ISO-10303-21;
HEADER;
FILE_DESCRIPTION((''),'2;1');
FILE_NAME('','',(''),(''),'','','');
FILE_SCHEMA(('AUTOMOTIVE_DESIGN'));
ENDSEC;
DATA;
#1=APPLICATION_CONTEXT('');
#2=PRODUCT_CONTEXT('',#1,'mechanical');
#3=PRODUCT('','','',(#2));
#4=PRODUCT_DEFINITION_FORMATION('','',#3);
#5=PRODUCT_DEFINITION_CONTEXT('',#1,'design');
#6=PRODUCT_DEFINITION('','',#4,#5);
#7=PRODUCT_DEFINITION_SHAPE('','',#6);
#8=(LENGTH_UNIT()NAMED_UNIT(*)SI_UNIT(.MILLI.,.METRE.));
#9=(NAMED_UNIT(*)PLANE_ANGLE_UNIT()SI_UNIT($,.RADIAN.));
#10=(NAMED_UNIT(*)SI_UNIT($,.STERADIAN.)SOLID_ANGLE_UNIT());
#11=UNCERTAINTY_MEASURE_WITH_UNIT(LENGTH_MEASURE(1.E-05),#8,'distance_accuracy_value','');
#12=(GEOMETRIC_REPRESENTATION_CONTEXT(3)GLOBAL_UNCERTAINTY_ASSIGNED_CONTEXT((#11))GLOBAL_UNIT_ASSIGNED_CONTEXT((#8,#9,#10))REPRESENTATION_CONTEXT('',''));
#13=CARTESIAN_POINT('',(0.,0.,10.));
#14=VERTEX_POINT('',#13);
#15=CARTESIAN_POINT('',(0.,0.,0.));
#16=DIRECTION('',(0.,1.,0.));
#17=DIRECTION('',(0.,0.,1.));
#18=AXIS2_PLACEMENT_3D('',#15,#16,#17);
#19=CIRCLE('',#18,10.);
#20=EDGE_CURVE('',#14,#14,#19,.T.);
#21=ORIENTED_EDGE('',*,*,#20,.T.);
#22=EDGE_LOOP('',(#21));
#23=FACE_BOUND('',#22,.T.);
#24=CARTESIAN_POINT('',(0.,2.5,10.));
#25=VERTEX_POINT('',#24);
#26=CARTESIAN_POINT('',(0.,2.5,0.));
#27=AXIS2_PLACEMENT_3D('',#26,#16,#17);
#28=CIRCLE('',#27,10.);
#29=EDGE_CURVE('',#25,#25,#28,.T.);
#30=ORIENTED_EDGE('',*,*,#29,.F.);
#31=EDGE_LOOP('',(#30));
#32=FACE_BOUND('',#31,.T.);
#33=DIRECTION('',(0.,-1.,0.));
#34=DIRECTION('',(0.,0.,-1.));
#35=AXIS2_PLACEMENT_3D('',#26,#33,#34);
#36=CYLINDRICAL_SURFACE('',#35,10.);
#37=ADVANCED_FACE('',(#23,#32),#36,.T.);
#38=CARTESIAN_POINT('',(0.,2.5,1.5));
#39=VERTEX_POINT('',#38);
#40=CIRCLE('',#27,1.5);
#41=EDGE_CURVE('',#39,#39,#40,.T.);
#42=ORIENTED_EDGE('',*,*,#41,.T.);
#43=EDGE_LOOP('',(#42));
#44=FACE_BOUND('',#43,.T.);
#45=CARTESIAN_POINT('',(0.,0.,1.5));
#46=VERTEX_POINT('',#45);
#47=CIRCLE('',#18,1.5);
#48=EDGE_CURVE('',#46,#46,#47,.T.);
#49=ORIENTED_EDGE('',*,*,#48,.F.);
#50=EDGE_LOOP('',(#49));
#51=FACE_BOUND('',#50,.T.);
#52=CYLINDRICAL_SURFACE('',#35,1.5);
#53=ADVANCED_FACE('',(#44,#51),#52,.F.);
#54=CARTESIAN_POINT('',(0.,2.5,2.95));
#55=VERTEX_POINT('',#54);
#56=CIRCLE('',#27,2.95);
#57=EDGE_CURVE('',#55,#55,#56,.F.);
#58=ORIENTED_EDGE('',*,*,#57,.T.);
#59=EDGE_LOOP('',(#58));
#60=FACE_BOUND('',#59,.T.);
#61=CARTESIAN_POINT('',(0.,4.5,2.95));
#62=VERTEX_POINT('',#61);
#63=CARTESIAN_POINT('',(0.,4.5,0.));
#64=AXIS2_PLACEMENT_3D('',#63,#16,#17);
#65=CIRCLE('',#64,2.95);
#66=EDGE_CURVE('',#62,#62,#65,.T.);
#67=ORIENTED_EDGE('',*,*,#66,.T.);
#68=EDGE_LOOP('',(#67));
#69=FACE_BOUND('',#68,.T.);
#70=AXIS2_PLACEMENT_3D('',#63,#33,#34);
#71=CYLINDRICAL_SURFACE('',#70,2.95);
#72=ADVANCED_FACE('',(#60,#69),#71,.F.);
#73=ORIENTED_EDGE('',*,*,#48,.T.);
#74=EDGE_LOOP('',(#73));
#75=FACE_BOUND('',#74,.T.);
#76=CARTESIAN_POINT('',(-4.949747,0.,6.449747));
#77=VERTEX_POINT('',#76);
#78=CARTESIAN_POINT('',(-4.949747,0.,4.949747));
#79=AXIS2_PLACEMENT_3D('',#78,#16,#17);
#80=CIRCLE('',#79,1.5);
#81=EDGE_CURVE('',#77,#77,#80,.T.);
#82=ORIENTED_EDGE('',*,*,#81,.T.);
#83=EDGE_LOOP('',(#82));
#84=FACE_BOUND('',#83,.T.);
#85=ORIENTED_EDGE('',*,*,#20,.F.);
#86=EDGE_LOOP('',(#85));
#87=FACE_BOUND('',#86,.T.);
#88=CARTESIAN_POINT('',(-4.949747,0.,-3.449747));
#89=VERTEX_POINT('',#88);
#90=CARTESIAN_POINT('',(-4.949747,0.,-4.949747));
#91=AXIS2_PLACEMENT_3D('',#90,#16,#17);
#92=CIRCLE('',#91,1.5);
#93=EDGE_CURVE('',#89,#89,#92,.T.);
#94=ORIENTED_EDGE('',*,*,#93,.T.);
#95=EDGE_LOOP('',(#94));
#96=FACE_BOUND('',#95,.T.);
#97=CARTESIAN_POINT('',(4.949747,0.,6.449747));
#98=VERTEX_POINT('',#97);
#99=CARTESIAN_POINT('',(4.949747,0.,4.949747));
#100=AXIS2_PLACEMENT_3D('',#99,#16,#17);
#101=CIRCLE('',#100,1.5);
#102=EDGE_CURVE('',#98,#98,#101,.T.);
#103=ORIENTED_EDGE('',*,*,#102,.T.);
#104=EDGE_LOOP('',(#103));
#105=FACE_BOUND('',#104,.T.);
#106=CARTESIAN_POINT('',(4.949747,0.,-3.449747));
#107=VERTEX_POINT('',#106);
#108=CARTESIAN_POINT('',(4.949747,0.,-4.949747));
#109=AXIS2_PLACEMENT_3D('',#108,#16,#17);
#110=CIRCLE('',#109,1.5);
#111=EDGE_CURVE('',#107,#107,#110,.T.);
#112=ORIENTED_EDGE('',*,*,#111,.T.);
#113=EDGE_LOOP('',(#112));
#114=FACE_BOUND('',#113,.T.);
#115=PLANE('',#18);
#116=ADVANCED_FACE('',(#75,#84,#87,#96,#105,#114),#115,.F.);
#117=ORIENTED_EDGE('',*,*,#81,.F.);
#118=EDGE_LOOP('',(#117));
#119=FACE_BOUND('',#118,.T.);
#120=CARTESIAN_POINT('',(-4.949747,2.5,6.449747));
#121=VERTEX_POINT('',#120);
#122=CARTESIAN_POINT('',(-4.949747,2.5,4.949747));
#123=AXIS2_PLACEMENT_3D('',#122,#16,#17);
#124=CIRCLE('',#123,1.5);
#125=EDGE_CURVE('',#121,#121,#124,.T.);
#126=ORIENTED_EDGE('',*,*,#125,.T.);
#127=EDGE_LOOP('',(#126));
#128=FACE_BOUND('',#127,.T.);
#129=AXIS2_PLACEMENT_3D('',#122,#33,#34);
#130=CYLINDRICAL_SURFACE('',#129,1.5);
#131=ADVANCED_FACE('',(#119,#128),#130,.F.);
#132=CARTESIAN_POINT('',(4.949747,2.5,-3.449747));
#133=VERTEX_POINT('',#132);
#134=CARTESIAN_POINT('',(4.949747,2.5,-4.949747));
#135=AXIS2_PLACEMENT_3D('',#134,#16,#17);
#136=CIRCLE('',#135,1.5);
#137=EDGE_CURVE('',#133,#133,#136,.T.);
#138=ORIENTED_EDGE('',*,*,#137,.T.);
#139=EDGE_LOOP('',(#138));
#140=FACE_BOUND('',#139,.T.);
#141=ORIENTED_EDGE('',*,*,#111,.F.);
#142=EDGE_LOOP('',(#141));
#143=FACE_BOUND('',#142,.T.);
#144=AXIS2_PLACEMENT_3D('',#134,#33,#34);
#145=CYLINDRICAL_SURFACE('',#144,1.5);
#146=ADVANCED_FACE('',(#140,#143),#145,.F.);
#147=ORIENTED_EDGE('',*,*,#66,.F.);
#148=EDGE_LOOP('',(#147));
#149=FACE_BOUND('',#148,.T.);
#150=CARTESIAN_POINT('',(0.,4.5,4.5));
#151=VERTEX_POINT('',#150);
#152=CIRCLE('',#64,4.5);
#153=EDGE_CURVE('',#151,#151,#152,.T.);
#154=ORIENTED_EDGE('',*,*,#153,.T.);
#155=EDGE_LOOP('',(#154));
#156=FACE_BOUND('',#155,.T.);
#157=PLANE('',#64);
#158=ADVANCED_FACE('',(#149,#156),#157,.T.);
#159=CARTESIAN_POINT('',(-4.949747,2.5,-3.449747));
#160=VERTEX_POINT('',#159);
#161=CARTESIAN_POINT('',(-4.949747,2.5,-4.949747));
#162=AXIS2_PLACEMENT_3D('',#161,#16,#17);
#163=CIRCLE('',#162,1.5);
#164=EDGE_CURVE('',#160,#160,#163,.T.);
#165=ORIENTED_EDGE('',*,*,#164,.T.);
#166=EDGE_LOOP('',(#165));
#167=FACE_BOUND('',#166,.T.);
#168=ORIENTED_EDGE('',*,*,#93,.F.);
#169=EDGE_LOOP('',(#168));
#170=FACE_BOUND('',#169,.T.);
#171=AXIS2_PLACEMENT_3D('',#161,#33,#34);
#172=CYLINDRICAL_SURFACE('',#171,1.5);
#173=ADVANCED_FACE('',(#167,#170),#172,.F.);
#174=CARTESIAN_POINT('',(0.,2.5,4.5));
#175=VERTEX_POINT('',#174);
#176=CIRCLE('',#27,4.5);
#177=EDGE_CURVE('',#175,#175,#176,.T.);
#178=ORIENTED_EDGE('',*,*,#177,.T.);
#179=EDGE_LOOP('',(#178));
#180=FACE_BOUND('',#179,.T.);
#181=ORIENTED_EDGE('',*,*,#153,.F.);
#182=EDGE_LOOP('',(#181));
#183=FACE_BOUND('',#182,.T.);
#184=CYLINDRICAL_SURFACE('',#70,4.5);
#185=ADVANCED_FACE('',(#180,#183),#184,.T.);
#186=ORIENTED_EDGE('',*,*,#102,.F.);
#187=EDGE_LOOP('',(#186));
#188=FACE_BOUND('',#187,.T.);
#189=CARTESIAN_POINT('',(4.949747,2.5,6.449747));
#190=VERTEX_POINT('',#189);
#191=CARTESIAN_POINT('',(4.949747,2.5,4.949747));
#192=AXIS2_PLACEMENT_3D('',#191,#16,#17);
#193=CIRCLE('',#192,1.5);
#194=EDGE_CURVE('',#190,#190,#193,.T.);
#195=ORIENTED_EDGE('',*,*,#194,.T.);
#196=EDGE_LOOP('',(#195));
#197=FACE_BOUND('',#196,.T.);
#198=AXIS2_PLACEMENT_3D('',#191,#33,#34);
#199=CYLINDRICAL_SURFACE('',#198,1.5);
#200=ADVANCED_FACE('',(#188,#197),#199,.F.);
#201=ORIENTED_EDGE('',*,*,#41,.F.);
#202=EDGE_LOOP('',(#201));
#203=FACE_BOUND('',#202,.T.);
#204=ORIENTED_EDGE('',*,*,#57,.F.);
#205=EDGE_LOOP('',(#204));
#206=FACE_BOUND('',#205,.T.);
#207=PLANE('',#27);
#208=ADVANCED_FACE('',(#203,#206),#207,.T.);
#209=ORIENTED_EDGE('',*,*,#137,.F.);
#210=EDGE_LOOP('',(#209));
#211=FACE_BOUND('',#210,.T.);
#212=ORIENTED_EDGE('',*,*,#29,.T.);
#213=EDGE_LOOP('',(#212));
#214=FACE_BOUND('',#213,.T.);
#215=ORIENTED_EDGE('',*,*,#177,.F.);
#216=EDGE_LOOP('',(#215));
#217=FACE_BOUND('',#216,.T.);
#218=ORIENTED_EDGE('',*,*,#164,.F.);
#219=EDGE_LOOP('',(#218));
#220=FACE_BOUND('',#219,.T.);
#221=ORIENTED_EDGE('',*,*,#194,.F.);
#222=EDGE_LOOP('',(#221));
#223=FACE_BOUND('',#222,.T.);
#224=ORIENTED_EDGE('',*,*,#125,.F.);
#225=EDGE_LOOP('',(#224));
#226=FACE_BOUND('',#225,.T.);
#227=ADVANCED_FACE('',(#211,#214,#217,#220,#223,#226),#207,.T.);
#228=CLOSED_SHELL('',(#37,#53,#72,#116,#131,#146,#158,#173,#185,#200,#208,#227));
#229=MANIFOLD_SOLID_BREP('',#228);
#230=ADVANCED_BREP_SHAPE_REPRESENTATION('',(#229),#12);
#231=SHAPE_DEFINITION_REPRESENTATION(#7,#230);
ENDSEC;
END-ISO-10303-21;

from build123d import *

# Parameters (mm, degrees)
SKETCH_1_R      = 10
SKETCH_1_R_2    = 1.5
EXTRUDE_1_DEPTH = 2.5
SKETCH_2_R      = 4.5
SKETCH_2_R_2    = 2.95
EXTRUDE_2_DEPTH = 2


with BuildPart() as part:
    # 草图1 → 凸台-拉伸1 (new body)
    with BuildSketch(Plane(origin=(0, 0, 0), x_dir=(1, 0, 0), z_dir=(0, 1, 0))):
        with Locations(Location((0, 0, 0), (0, 0, 270))):
            Circle(SKETCH_1_R)
        with Locations(Location((-4.949747468, 4.949747468, 0), (0, 0, 270))):
            Circle(SKETCH_1_R_2, mode=Mode.SUBTRACT)
        with Locations(Location((-4.949747468, -4.949747468, 0), (0, 0, 270))):
            Circle(SKETCH_1_R_2, mode=Mode.SUBTRACT)
        with Locations(Location((4.949747468, -4.949747468, 0), (0, 0, 270))):
            Circle(SKETCH_1_R_2, mode=Mode.SUBTRACT)
        with Locations(Location((0, 0, 0), (0, 0, 270))):
            Circle(SKETCH_1_R_2, mode=Mode.SUBTRACT)
        with Locations(Location((4.949747468, 4.949747468, 0), (0, 0, 270))):
            Circle(SKETCH_1_R_2, mode=Mode.SUBTRACT)
    extrude(amount=EXTRUDE_1_DEPTH)

    # 草图2 → 凸台-拉伸2 (add)
    with BuildSketch(Plane(origin=(0, 2.5, 0), x_dir=(1, 0, 0), z_dir=(0, 1, 0))):
        with Locations(Location((0, 0, 0), (0, 0, 270))):
            Circle(SKETCH_2_R)
        with Locations(Location((0, 0, 0), (0, 0, 270))):
            Circle(SKETCH_2_R_2, mode=Mode.SUBTRACT)
    extrude(amount=EXTRUDE_2_DEPTH)


solid = part.part
